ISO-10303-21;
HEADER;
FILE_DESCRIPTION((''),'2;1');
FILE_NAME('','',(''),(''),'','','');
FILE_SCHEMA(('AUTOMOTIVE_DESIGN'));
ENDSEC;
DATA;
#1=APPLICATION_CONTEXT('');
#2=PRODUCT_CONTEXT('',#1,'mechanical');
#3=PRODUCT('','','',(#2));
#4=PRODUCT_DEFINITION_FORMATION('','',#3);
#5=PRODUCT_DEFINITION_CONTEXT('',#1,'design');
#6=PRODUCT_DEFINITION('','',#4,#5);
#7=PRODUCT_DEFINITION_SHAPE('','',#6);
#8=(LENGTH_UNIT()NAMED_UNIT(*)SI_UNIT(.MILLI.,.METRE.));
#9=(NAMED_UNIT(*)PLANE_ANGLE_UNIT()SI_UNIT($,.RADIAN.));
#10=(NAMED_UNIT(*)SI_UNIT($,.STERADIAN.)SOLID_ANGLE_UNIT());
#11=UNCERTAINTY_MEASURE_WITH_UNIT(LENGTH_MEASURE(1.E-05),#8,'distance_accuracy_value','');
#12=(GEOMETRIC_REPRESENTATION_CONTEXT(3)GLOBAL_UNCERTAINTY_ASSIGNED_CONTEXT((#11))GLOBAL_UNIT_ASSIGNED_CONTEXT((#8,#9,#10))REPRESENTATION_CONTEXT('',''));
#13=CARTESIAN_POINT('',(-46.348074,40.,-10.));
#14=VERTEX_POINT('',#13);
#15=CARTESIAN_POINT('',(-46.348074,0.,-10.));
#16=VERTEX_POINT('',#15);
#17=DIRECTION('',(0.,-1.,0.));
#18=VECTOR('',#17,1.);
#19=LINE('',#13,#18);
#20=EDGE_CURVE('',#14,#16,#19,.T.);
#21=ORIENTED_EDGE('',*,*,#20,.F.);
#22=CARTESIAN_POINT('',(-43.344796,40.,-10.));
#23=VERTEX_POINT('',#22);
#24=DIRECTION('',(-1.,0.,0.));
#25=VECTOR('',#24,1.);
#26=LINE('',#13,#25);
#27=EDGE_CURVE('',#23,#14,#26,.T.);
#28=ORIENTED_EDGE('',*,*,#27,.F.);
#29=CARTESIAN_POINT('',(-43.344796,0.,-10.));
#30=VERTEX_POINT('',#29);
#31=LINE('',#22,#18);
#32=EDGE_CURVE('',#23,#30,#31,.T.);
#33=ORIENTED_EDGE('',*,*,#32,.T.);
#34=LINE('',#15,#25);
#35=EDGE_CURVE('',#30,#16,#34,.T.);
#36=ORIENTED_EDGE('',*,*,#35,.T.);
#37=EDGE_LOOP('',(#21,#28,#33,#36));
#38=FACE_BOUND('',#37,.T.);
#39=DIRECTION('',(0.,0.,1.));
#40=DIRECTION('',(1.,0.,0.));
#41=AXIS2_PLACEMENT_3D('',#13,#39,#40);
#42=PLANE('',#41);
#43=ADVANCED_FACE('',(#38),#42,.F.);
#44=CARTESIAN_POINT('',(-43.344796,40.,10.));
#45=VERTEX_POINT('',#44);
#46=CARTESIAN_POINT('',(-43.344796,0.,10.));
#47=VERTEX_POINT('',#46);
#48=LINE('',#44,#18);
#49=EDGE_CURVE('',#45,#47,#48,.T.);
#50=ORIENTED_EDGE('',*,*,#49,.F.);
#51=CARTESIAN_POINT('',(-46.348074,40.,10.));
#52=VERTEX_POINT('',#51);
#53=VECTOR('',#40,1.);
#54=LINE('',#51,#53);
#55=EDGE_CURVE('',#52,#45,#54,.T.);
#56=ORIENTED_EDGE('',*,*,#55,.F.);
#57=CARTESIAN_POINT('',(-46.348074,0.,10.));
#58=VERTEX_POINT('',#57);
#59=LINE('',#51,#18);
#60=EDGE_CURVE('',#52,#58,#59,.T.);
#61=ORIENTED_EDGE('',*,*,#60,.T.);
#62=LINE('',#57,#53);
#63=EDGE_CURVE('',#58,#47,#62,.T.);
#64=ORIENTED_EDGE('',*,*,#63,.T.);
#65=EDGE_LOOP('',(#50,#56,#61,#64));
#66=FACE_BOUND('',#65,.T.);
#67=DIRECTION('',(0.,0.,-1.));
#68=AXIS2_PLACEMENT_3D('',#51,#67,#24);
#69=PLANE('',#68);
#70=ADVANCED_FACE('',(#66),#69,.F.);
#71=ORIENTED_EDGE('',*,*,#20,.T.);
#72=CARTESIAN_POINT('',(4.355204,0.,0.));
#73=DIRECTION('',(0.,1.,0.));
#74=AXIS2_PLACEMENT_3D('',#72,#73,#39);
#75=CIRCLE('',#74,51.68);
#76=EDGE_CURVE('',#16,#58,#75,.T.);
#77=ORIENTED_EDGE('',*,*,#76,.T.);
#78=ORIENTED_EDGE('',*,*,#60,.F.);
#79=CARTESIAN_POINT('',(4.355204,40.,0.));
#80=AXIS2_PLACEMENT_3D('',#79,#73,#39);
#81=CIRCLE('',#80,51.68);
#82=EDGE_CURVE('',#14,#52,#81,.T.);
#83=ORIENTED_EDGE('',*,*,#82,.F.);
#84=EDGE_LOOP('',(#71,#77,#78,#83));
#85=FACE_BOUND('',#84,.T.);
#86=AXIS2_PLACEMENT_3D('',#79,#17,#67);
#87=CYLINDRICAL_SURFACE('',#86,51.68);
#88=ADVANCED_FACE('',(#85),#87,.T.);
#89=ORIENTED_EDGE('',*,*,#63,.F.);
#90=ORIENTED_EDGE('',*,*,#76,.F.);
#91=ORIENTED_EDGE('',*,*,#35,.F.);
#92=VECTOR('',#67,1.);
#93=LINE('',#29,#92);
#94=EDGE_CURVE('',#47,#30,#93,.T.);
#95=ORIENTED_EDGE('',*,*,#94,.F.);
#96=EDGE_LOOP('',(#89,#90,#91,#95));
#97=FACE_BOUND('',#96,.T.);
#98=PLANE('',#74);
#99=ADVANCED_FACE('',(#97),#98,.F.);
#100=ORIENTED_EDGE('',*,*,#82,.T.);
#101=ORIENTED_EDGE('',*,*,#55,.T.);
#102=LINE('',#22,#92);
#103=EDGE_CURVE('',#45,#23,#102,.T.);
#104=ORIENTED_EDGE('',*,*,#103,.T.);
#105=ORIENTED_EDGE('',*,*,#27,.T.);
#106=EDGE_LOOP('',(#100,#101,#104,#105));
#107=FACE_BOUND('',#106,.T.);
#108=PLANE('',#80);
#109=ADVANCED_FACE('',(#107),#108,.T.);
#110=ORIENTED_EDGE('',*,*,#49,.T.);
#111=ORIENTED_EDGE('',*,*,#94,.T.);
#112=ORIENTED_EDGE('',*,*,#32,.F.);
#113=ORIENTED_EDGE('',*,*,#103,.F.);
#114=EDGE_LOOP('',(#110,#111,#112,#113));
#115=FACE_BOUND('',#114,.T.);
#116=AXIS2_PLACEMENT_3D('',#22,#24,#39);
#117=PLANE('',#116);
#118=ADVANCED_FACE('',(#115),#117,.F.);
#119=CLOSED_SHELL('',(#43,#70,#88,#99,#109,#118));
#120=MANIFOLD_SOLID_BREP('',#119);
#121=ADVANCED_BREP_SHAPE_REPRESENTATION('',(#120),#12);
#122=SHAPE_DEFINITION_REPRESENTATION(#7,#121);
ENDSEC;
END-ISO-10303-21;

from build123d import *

# Parameters (mm, degrees)
EXTRUDE_1_DEPTH = 40


with BuildPart() as part:
    # 草图1 → 凸台-拉伸1 (new body)
    with BuildSketch(Plane(origin=(0, 0, 0), x_dir=(1, 0, 0), z_dir=(0, 1, 0))):
        with BuildLine():
            Line((-46.348073666, 10), (-43.344795665, 10))
            Line((-43.344795665, 10), (-43.344795665, -10))
            Line((-43.344795665, -10), (-46.348073666, -10))
            ThreePointArc((-46.348073666, -10), (-47.324795665, 0), (-46.348073666, 10))
        make_face()
    extrude(amount=EXTRUDE_1_DEPTH)


solid = part.part
